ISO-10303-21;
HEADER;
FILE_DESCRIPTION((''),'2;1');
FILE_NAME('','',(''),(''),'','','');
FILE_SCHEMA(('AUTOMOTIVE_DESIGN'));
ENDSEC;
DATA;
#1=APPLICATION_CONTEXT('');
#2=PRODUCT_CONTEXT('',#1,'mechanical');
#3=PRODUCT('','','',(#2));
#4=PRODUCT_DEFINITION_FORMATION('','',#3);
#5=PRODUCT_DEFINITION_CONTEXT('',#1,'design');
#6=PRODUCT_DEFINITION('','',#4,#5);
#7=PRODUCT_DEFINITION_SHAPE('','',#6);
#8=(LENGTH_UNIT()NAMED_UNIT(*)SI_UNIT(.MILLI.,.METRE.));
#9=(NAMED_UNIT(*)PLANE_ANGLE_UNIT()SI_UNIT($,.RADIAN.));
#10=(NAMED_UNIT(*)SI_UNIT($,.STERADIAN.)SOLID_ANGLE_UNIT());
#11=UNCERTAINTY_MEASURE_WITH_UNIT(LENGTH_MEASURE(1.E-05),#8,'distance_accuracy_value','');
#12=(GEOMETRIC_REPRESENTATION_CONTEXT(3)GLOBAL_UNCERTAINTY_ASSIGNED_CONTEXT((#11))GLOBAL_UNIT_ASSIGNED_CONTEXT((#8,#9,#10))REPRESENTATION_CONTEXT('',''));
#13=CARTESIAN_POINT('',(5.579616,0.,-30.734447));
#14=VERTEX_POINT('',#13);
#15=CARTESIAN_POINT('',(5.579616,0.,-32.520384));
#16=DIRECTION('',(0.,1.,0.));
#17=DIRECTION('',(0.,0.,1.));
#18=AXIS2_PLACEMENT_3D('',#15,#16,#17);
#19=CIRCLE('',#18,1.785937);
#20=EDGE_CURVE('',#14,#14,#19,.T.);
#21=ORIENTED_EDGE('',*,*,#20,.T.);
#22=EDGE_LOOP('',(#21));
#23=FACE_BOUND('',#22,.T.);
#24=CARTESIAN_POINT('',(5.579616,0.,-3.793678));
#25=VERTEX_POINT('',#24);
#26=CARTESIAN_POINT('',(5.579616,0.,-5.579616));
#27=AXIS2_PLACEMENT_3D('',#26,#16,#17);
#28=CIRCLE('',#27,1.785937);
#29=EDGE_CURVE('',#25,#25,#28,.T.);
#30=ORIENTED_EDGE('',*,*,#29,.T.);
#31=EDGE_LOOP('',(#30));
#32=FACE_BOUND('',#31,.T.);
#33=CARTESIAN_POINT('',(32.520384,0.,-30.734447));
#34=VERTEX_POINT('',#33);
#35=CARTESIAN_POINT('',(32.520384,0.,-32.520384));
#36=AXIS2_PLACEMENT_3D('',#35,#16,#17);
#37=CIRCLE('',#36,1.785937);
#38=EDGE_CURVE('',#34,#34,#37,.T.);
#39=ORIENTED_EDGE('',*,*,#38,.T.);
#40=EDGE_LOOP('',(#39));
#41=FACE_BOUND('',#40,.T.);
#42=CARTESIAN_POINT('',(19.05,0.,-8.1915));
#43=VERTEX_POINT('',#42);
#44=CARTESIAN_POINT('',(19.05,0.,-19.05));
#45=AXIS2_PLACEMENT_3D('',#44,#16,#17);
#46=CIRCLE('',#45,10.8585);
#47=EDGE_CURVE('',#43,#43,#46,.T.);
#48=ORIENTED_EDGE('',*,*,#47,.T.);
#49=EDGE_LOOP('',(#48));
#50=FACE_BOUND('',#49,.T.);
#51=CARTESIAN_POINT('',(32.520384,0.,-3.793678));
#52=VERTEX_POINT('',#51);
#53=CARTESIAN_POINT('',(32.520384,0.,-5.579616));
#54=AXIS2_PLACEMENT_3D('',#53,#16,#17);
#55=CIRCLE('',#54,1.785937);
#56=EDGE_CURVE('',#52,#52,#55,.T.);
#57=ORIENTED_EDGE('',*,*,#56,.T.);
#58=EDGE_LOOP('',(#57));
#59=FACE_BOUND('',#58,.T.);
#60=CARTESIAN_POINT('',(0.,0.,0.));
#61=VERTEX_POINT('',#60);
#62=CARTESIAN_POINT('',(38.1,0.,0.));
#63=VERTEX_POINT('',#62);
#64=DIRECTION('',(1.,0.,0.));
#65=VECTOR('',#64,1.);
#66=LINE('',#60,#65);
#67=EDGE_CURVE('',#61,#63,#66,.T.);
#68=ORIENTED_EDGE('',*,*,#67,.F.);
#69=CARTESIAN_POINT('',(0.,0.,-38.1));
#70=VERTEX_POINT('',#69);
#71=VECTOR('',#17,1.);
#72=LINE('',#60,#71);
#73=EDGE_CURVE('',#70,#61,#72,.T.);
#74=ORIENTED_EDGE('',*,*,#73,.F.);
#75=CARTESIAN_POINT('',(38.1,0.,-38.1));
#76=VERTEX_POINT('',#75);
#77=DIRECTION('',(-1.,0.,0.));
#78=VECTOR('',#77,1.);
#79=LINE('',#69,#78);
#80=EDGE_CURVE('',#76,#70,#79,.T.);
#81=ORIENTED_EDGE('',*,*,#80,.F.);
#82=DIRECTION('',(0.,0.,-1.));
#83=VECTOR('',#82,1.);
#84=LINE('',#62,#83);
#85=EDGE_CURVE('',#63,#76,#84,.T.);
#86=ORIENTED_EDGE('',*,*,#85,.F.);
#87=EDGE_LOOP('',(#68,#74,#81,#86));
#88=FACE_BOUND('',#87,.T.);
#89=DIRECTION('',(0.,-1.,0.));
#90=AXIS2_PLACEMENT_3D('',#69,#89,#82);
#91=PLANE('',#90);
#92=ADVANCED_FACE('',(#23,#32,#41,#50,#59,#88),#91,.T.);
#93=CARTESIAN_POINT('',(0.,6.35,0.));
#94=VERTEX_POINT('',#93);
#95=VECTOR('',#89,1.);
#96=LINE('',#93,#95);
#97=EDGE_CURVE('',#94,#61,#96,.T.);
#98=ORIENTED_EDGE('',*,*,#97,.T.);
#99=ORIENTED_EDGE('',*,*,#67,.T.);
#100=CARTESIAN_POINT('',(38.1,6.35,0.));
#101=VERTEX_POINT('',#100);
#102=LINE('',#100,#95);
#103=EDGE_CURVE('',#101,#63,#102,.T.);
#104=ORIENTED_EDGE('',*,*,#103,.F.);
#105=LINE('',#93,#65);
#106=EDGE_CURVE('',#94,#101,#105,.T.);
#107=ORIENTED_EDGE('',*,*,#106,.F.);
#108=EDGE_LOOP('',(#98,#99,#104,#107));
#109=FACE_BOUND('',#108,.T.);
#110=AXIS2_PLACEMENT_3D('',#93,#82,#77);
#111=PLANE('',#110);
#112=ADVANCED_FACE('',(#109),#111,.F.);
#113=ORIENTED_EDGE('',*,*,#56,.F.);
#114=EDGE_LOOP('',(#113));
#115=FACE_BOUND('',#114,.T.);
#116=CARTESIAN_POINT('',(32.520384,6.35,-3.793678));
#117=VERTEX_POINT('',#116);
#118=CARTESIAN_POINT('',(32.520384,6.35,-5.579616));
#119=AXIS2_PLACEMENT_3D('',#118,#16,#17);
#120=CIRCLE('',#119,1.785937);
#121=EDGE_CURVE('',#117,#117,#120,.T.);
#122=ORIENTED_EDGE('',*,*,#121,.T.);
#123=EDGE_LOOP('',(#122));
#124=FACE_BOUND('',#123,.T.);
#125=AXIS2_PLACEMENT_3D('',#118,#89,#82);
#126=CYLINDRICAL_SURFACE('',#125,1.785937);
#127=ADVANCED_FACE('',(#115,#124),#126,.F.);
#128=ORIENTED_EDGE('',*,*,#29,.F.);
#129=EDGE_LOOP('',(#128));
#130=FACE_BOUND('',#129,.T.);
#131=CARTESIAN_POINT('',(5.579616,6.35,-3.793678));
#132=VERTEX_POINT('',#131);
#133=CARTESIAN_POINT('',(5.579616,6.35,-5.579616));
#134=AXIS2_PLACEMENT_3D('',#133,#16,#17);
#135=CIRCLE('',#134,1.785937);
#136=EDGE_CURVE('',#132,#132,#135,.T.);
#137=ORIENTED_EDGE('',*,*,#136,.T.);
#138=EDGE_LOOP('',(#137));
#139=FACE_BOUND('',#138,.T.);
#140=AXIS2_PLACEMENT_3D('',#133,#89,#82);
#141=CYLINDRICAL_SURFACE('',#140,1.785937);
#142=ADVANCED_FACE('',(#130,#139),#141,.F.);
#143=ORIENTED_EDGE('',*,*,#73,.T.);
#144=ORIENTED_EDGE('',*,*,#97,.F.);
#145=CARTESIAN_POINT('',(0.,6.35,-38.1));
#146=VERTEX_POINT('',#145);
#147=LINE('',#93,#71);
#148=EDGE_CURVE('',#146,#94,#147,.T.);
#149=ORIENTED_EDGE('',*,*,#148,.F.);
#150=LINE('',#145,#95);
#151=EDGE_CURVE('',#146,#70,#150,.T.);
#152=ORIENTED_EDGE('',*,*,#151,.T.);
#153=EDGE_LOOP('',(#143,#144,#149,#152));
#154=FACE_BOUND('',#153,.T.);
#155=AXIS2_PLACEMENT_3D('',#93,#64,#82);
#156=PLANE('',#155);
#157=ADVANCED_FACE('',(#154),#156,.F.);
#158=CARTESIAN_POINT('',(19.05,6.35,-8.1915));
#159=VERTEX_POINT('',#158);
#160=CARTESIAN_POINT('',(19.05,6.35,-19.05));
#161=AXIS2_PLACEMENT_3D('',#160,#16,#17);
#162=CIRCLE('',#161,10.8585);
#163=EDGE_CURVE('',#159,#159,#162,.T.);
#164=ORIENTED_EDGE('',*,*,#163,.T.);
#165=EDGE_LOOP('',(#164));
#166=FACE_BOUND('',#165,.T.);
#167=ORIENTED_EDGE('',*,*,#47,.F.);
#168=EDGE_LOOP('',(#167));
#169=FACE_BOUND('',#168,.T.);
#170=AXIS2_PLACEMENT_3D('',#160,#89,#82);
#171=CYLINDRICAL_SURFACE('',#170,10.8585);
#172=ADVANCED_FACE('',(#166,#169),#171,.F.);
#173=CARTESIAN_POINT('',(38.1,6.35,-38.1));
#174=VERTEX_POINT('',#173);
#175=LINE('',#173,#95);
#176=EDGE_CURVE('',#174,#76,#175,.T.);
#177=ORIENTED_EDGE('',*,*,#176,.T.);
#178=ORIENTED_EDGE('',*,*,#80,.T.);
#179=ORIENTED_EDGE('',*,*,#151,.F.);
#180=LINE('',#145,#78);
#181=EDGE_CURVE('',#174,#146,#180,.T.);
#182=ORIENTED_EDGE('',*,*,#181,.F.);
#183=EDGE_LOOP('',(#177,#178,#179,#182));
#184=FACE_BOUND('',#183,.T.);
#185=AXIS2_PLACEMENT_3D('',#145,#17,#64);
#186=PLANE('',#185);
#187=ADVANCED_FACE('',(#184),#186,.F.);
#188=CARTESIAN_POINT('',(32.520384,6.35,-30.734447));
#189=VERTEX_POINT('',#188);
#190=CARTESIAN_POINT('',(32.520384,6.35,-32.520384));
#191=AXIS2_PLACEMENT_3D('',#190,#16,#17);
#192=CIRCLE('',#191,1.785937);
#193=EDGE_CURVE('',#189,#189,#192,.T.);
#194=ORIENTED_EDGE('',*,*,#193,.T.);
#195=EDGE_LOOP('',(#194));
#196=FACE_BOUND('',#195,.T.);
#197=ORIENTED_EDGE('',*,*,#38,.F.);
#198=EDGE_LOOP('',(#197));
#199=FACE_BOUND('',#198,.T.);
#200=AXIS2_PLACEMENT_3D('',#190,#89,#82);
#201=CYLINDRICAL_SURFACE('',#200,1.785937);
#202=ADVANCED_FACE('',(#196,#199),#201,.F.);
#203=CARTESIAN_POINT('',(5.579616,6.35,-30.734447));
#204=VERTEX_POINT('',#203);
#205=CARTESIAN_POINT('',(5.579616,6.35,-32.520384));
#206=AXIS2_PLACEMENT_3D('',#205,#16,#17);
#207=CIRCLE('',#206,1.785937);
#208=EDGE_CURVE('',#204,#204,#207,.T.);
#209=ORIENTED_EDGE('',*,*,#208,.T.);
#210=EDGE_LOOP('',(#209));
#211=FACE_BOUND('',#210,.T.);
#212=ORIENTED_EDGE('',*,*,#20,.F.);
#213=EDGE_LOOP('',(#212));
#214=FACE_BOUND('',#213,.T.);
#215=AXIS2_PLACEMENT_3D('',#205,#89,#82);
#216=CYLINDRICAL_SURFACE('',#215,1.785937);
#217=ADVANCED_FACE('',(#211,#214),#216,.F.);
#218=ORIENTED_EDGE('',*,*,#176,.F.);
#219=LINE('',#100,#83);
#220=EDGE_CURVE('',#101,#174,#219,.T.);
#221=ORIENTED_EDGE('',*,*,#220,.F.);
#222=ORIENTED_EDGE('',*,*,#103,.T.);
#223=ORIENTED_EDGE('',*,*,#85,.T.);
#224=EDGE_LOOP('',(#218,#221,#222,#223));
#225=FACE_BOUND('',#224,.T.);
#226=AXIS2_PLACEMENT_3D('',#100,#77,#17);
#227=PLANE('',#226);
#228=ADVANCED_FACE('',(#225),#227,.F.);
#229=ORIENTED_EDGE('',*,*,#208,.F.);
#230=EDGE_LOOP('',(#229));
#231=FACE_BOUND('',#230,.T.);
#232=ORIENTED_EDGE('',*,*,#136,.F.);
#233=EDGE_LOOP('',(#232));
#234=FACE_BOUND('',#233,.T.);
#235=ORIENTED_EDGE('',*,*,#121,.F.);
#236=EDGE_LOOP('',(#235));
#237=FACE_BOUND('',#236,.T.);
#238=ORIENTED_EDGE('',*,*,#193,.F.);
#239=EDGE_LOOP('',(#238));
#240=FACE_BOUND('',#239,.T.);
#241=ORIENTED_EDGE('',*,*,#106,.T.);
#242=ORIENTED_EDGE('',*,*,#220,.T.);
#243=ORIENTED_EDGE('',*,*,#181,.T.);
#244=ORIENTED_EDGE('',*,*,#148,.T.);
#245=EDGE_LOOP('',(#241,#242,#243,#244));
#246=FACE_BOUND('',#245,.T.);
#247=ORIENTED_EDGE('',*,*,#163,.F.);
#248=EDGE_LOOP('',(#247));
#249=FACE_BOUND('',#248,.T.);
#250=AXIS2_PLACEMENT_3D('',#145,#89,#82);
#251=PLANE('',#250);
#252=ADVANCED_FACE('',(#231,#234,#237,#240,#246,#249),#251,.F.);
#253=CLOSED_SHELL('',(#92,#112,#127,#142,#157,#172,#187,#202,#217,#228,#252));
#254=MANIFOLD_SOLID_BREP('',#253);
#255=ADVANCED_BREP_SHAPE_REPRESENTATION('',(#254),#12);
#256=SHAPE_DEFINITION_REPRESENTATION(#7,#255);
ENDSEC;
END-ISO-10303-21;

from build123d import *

# Parameters (mm, degrees)
SKETCH1_W      = 38.1
SKETCH1_H      = 38.1
SKETCH1_R      = 10.8585
SKETCH1_R_2    = 1.7859375
EXTRUDE1_DEPTH = 6.35


with BuildPart() as part:
    # Sketch1 → Extrude1 (new body)
    with BuildSketch(Plane(origin=(0, 0, 0), x_dir=(1, 0, 0), z_dir=(0, 1, 0))):
        with Locations((19.05, 19.05)):
            Rectangle(SKETCH1_W, SKETCH1_H)
        with Locations(Location((19.05, 19.05, 0), (0, 0, 270))):
            Circle(SKETCH1_R, mode=Mode.SUBTRACT)
        with Locations(Location((5.579615818, 32.520384182, 0), (0, 0, 270))):
            Circle(SKETCH1_R_2, mode=Mode.SUBTRACT)
        with Locations(Location((32.520384182, 32.520384182, 0), (0, 0, 270))):
            Circle(SKETCH1_R_2, mode=Mode.SUBTRACT)
        with Locations(Location((32.520384182, 5.579615818, 0), (0, 0, 270))):
            Circle(SKETCH1_R_2, mode=Mode.SUBTRACT)
        with Locations(Location((5.579615818, 5.579615818, 0), (0, 0, 270))):
            Circle(SKETCH1_R_2, mode=Mode.SUBTRACT)
    extrude(amount=EXTRUDE1_DEPTH)


solid = part.part
